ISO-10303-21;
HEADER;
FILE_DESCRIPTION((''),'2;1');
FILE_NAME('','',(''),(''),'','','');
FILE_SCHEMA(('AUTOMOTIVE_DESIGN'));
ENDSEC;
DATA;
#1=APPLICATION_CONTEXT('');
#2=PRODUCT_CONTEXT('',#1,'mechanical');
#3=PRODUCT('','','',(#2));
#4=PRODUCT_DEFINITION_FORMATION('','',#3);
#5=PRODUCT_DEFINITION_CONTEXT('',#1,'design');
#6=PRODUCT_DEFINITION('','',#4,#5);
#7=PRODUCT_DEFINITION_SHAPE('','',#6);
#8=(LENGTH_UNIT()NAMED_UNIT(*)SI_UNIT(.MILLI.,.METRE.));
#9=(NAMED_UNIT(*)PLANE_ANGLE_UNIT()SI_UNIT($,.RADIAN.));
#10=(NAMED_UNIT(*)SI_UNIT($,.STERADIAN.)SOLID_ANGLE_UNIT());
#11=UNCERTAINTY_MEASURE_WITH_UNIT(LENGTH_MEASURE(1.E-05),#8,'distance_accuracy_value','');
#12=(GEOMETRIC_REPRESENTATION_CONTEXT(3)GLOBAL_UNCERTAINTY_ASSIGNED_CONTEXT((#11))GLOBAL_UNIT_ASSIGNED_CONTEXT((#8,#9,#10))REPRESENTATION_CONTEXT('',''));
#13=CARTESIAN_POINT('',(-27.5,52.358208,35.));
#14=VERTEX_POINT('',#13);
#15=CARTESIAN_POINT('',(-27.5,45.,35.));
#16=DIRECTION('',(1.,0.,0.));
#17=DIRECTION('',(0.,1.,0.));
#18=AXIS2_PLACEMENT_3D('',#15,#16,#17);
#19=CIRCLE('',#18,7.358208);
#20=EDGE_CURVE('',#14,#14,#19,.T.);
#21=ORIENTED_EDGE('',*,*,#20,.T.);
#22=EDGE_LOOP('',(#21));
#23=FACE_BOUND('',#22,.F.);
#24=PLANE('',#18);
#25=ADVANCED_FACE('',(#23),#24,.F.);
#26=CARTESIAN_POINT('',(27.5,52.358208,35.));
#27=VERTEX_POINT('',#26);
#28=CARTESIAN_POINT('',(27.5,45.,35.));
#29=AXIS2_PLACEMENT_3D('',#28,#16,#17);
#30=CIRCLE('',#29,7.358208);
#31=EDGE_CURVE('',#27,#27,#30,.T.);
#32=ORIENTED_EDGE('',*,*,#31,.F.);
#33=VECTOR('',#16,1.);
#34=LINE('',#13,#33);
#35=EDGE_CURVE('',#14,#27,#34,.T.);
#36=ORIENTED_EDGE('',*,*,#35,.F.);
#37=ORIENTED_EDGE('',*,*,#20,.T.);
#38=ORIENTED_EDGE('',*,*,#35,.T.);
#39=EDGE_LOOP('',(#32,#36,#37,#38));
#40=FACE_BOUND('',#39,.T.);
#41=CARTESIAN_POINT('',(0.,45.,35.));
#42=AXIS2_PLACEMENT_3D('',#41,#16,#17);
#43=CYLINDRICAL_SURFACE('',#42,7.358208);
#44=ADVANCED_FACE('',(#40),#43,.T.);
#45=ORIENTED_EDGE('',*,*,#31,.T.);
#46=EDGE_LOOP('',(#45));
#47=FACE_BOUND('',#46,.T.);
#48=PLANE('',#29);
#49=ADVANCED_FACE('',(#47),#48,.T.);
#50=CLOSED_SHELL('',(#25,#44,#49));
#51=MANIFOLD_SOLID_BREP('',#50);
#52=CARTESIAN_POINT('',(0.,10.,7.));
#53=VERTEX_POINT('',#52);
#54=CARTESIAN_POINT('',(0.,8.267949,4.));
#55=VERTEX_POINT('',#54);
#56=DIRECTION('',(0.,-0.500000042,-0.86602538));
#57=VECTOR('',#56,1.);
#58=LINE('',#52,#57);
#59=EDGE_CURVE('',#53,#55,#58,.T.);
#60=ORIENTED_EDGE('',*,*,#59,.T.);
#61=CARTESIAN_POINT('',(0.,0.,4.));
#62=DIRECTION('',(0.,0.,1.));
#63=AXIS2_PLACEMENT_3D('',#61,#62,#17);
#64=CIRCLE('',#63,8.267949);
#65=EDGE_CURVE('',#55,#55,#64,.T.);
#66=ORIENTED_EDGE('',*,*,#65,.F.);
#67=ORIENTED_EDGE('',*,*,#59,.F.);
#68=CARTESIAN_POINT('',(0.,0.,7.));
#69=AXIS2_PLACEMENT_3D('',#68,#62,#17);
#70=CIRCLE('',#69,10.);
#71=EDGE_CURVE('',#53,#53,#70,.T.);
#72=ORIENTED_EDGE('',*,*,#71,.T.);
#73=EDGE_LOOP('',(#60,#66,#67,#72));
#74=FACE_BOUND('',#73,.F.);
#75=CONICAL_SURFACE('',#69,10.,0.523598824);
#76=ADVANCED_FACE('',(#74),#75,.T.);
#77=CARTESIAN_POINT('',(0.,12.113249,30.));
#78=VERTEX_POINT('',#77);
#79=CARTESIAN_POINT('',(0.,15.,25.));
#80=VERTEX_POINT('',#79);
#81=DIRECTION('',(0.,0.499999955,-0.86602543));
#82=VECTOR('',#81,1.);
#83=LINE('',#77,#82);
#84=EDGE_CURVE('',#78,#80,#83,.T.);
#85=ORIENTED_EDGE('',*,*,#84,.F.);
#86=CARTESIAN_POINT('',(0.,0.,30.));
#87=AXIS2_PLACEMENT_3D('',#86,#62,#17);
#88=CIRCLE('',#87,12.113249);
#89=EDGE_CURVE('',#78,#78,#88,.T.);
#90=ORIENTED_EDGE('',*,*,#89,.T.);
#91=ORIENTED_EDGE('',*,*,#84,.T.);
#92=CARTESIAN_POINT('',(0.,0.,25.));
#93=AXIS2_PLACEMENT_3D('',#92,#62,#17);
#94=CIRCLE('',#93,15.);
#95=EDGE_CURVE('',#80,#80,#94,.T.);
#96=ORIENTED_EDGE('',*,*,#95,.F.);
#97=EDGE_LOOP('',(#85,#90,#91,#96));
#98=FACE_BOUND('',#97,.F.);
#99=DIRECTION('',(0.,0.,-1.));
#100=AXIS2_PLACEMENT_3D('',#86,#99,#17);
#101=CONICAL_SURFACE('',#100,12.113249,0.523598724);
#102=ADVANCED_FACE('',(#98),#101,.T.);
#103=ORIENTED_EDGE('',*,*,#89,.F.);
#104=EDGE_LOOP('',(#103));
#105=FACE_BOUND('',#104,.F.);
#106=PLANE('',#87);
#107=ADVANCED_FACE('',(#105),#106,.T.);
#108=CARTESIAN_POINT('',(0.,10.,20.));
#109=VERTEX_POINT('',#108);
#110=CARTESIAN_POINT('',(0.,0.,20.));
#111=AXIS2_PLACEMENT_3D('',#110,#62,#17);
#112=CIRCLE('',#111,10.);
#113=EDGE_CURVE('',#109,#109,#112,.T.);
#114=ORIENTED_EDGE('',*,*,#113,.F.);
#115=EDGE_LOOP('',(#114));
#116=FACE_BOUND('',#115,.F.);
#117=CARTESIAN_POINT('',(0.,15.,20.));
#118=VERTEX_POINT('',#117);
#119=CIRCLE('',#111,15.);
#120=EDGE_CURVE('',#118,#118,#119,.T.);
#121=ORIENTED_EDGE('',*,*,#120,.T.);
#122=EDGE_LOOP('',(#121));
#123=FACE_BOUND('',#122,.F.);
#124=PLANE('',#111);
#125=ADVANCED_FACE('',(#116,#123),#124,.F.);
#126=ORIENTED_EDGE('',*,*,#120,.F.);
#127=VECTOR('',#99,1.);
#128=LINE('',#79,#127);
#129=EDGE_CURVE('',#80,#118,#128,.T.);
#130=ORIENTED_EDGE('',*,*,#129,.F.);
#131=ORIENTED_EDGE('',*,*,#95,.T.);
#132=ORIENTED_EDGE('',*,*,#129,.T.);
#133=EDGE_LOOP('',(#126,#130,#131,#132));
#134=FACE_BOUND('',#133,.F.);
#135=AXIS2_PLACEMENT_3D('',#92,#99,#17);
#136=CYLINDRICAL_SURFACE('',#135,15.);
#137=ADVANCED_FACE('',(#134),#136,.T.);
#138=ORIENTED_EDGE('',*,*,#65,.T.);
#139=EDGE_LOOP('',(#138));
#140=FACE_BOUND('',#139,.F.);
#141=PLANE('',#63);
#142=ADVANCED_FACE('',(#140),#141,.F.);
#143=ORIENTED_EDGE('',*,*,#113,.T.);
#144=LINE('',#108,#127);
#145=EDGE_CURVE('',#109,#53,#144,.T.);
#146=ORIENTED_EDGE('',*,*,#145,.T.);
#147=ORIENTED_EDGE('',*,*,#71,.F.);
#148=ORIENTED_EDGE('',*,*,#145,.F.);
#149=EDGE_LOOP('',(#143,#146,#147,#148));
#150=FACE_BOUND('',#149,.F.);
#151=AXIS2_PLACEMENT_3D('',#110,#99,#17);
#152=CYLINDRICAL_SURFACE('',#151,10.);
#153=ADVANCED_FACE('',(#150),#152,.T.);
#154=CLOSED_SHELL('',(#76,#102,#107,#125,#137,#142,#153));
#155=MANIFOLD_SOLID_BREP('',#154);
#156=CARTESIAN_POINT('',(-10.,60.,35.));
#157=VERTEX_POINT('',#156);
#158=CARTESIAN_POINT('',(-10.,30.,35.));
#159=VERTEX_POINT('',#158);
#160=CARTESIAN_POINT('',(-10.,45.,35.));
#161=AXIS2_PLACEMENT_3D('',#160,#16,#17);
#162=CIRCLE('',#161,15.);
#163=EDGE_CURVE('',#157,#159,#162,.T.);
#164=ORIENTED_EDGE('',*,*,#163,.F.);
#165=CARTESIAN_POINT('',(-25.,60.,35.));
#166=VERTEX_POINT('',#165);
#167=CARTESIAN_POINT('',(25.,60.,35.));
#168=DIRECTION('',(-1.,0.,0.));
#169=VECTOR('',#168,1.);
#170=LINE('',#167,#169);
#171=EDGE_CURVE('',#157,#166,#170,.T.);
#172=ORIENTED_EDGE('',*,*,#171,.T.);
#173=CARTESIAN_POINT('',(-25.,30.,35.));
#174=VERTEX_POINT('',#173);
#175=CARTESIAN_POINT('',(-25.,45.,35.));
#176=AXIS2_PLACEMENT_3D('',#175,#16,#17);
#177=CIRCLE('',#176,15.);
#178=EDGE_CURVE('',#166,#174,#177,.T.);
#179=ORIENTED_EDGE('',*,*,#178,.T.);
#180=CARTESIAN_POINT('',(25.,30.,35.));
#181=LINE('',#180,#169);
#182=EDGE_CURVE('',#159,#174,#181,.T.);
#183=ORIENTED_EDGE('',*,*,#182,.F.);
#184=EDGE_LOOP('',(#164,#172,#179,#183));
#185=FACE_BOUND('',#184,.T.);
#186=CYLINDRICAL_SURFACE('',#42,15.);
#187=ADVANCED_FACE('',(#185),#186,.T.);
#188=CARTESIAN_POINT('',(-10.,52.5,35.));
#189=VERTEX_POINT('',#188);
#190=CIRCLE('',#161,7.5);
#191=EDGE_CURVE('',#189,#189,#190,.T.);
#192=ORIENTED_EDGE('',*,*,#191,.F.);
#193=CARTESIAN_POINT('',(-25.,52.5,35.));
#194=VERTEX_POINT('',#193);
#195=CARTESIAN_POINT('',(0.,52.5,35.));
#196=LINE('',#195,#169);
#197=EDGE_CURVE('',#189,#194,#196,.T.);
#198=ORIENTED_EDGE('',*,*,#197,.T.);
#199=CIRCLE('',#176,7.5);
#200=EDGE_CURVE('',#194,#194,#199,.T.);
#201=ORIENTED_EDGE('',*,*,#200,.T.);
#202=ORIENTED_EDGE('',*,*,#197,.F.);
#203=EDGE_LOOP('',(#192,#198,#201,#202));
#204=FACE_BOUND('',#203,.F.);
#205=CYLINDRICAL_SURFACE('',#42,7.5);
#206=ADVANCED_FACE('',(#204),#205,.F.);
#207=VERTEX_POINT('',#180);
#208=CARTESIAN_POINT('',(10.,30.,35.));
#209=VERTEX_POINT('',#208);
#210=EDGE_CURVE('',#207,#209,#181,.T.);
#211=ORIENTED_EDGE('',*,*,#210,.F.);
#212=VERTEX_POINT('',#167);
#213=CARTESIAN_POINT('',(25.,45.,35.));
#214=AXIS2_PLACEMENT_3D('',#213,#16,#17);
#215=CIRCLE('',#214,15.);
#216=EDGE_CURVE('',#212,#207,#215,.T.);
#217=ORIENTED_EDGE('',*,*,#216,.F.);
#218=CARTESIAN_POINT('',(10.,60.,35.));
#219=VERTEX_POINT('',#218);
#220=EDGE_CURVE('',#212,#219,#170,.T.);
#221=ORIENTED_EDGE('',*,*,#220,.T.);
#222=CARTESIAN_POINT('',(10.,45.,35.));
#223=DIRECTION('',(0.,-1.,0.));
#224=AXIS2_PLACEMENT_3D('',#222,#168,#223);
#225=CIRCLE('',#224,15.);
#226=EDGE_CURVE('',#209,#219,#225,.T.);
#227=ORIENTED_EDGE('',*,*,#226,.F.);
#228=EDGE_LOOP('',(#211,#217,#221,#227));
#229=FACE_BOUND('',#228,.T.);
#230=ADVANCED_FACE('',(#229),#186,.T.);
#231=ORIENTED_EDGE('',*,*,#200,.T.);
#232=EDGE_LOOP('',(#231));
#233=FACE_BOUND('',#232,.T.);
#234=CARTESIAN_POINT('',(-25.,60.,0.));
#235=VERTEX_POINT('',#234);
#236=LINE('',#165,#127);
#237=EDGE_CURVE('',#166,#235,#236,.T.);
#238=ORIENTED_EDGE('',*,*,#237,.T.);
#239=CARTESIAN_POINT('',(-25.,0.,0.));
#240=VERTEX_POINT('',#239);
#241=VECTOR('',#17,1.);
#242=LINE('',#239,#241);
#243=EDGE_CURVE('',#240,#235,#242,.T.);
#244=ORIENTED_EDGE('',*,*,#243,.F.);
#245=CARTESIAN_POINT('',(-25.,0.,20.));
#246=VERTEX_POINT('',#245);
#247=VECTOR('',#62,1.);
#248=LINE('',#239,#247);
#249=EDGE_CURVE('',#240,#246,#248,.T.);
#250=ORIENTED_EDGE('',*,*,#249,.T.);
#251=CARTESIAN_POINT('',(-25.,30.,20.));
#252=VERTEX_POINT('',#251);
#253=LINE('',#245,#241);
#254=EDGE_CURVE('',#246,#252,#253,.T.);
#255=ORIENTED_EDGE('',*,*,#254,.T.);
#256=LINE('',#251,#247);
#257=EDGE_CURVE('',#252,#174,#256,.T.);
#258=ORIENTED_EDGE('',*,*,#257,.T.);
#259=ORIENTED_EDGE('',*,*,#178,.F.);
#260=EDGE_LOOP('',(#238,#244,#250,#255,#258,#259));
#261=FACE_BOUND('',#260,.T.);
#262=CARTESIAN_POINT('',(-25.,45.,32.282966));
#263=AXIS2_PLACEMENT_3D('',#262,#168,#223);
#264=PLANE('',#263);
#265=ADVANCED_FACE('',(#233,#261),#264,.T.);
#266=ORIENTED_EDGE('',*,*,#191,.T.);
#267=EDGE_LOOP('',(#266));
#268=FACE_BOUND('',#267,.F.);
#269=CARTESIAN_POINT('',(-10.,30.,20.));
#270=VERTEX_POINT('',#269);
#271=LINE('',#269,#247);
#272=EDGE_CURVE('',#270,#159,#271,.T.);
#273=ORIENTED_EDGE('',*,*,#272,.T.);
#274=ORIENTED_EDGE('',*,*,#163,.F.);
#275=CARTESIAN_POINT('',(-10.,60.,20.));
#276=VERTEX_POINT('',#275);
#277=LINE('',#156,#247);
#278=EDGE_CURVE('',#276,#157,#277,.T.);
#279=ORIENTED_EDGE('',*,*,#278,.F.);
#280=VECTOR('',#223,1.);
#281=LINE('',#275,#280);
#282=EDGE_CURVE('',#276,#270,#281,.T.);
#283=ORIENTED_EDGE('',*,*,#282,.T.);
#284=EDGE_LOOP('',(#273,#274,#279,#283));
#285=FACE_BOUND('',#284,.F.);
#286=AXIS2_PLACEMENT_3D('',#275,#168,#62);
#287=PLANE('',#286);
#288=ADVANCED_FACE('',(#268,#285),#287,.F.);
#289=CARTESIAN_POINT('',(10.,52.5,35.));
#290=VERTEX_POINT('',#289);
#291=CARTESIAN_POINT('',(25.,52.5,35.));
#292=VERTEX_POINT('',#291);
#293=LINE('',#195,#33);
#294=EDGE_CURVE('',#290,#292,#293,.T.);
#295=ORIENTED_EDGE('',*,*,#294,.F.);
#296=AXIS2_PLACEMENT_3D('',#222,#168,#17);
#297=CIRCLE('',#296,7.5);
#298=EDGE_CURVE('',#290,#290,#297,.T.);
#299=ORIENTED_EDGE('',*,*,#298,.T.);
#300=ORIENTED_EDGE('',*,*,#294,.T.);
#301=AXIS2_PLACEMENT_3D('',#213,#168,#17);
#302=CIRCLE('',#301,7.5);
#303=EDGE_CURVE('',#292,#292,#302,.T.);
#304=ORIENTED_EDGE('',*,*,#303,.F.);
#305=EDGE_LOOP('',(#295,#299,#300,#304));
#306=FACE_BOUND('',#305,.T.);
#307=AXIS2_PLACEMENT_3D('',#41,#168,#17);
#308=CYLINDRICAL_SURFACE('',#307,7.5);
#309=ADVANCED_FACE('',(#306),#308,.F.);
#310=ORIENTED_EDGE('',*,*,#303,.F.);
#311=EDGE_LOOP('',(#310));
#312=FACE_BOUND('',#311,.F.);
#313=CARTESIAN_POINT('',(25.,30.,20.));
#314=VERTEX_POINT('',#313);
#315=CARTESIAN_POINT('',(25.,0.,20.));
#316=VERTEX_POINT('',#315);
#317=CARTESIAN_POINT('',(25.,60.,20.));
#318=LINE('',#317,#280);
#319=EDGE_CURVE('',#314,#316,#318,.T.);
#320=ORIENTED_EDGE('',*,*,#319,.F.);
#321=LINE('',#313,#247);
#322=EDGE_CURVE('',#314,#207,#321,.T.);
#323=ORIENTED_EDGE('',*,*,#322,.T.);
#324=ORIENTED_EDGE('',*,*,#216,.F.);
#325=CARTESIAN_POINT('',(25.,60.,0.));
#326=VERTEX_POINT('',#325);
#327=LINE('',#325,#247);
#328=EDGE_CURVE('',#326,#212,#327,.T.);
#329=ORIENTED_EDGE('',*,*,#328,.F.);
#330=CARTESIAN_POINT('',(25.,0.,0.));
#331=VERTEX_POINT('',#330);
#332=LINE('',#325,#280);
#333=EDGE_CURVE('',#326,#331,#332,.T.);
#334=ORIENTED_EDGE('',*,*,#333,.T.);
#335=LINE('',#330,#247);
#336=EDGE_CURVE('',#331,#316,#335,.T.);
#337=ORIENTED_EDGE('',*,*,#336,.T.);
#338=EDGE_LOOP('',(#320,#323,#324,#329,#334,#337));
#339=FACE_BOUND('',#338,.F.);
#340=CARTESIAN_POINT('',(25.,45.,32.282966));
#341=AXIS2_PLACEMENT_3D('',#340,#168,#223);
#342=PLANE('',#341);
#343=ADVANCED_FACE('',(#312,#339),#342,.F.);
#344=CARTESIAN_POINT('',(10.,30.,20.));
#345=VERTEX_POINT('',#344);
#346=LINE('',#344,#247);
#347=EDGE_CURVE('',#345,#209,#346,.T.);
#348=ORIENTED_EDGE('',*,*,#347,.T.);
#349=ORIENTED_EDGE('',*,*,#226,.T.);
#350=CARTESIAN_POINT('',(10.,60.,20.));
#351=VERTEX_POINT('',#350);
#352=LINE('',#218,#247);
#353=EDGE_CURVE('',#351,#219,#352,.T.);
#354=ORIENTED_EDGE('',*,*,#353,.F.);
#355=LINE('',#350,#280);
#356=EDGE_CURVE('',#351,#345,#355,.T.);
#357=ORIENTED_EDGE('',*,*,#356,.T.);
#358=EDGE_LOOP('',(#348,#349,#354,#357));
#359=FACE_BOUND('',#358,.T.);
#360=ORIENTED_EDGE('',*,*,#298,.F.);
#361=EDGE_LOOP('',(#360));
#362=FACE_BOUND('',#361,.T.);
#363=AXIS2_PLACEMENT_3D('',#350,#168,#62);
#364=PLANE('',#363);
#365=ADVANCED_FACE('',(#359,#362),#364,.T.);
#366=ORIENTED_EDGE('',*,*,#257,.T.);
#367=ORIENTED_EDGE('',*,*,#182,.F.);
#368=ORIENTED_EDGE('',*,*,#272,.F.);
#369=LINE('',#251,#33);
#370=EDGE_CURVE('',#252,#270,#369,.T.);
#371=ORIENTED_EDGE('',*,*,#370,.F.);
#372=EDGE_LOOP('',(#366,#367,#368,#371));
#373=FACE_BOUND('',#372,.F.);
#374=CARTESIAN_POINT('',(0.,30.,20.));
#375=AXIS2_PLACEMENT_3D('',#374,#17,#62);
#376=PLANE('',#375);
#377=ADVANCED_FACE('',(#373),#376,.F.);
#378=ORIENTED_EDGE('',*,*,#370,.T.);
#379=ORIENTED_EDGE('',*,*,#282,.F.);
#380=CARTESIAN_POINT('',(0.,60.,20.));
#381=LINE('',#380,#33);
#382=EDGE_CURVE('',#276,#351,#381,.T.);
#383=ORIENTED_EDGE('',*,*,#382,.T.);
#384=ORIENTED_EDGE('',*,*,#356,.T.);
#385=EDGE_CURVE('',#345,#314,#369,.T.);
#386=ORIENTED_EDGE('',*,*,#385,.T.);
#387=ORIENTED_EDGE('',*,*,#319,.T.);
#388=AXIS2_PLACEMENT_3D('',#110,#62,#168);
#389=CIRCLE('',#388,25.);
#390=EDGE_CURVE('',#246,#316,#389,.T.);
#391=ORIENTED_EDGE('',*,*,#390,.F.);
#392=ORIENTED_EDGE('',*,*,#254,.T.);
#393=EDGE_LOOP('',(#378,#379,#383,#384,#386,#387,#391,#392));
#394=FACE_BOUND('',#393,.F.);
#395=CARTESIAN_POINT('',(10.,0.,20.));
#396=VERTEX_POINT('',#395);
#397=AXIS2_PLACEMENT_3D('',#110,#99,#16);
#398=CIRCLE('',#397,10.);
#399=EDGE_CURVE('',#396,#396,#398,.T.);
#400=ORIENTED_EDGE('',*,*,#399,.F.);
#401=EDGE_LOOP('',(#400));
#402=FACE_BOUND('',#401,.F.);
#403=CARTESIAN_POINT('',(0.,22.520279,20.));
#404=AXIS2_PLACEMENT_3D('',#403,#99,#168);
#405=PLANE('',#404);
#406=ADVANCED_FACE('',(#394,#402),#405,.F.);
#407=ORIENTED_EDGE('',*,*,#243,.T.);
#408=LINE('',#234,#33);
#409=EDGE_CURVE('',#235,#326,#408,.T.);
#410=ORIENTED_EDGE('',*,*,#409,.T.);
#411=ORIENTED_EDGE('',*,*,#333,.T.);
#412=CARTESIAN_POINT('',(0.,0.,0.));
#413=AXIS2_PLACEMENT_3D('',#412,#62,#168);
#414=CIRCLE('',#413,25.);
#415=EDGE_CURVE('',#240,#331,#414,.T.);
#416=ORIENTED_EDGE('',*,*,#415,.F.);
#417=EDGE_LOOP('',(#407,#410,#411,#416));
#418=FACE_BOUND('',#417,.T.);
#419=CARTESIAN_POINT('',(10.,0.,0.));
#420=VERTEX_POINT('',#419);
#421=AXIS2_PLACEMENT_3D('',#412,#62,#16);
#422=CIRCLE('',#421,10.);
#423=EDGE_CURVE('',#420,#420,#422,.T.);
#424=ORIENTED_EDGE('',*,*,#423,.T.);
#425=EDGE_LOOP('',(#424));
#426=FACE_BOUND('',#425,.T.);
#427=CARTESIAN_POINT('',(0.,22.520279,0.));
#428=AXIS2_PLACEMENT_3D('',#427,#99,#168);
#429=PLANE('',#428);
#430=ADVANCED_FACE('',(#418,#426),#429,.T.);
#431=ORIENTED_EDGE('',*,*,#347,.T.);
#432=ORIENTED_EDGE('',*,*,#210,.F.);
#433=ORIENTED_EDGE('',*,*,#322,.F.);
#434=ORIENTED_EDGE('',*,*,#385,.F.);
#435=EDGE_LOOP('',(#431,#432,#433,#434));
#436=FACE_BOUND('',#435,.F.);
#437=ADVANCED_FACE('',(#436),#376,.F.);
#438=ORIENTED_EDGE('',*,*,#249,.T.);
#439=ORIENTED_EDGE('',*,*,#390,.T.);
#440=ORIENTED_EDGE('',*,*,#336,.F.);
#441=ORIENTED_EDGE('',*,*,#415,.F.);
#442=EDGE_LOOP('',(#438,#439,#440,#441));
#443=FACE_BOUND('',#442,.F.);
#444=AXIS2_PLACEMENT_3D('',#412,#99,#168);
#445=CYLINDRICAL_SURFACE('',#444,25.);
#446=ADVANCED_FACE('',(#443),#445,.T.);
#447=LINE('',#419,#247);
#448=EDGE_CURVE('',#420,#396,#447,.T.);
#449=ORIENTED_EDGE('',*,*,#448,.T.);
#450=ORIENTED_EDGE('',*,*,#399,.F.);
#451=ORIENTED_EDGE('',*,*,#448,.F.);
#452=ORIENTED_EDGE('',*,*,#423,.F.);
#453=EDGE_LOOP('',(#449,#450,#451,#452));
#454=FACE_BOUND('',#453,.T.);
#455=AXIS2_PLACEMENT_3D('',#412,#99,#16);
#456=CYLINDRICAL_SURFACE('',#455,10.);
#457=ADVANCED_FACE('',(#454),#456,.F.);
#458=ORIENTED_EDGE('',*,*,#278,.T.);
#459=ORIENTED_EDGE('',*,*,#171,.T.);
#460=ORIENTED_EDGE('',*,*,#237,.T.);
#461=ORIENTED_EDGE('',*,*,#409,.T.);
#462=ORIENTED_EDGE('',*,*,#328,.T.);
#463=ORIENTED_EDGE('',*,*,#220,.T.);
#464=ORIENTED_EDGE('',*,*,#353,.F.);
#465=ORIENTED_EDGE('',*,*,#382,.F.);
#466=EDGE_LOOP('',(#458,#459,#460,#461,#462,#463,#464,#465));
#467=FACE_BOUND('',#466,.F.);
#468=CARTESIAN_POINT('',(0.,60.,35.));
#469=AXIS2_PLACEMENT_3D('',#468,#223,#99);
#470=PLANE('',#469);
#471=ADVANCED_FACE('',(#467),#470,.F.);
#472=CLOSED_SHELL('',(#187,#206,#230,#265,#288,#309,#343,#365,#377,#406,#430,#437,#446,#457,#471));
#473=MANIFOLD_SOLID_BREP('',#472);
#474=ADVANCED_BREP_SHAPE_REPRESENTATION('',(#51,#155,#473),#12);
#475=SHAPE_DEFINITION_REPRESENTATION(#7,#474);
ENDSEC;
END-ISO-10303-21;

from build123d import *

# Parameters (mm, degrees)
SKETCH_R             = 10
PAD_DEPTH            = 20
PAD001_DEPTH         = 25
SKETCH002_W          = 20
SKETCH002_H          = 30
POCKET_DEPTH         = 85.001
SKETCH003_R          = 7.5
POCKET001_DEPTH      = 25.001
POCKET001_DEPTH_BACK = -25.001
SKETCH004_R          = 7.358208
PAD002_DEPTH         = 27.5


with BuildPart() as lasche:
    # Sketch → Pad (new body)
    with BuildSketch(Plane.XY):
        with BuildLine():
            Line((-25, 0), (-25, 60))
            Line((-25, 60), (25, 60))
            Line((25, 60), (25, 0))
            ThreePointArc((-25, 0), (0, -25), (25, 0))
        make_face()
        Circle(SKETCH_R, mode=Mode.SUBTRACT)
    extrude(amount=PAD_DEPTH)

    # Sketch001 → Pad001 (join, symmetric)
    with BuildSketch(Plane.YZ):
        with BuildLine():
            Line((30, 20), (30, 35))
            ThreePointArc((60, 35), (45, 50), (30, 35))
            Line((60, 35), (60, 20))
            Line((60, 20), (30, 20))
        make_face()
    extrude(amount=PAD001_DEPTH, both=True)

    # Sketch002 → Pocket (cut, through all)
    with BuildSketch(Plane.XZ.offset(-60)):
        with Locations((0, 35)):
            Rectangle(SKETCH002_W, SKETCH002_H)
    extrude(amount=POCKET_DEPTH, mode=Mode.SUBTRACT)

    # Sketch003 → Pocket001 (cut, two sides)
    with BuildSketch(Plane.YZ) as pocket001_sk:
        with Locations((45, 35)):
            Circle(SKETCH003_R)
    extrude(amount=-POCKET001_DEPTH, mode=Mode.SUBTRACT)
    extrude(pocket001_sk.sketch, amount=-POCKET001_DEPTH_BACK, mode=Mode.SUBTRACT)


with BuildPart() as bolzen:
    # Sketch004 → Pad002 (new body, symmetric)
    with BuildSketch(Plane.YZ):
        with Locations((45, 35)):
            Circle(SKETCH004_R)
    extrude(amount=PAD002_DEPTH, both=True)


with BuildPart() as auflage:
    # Sketch005 → Revolution (revolve)
    with BuildSketch(Plane.YZ):
        Polygon((0, 30), (12.113249, 30), (15, 25), (15, 20), (10, 20), (10, 7), (8.267949, 4), (0, 4), align=None)
    revolve(axis=Axis((0, 0, 0), (0, 0, 1)))


solid = Compound([lasche.part, bolzen.part, auflage.part])
